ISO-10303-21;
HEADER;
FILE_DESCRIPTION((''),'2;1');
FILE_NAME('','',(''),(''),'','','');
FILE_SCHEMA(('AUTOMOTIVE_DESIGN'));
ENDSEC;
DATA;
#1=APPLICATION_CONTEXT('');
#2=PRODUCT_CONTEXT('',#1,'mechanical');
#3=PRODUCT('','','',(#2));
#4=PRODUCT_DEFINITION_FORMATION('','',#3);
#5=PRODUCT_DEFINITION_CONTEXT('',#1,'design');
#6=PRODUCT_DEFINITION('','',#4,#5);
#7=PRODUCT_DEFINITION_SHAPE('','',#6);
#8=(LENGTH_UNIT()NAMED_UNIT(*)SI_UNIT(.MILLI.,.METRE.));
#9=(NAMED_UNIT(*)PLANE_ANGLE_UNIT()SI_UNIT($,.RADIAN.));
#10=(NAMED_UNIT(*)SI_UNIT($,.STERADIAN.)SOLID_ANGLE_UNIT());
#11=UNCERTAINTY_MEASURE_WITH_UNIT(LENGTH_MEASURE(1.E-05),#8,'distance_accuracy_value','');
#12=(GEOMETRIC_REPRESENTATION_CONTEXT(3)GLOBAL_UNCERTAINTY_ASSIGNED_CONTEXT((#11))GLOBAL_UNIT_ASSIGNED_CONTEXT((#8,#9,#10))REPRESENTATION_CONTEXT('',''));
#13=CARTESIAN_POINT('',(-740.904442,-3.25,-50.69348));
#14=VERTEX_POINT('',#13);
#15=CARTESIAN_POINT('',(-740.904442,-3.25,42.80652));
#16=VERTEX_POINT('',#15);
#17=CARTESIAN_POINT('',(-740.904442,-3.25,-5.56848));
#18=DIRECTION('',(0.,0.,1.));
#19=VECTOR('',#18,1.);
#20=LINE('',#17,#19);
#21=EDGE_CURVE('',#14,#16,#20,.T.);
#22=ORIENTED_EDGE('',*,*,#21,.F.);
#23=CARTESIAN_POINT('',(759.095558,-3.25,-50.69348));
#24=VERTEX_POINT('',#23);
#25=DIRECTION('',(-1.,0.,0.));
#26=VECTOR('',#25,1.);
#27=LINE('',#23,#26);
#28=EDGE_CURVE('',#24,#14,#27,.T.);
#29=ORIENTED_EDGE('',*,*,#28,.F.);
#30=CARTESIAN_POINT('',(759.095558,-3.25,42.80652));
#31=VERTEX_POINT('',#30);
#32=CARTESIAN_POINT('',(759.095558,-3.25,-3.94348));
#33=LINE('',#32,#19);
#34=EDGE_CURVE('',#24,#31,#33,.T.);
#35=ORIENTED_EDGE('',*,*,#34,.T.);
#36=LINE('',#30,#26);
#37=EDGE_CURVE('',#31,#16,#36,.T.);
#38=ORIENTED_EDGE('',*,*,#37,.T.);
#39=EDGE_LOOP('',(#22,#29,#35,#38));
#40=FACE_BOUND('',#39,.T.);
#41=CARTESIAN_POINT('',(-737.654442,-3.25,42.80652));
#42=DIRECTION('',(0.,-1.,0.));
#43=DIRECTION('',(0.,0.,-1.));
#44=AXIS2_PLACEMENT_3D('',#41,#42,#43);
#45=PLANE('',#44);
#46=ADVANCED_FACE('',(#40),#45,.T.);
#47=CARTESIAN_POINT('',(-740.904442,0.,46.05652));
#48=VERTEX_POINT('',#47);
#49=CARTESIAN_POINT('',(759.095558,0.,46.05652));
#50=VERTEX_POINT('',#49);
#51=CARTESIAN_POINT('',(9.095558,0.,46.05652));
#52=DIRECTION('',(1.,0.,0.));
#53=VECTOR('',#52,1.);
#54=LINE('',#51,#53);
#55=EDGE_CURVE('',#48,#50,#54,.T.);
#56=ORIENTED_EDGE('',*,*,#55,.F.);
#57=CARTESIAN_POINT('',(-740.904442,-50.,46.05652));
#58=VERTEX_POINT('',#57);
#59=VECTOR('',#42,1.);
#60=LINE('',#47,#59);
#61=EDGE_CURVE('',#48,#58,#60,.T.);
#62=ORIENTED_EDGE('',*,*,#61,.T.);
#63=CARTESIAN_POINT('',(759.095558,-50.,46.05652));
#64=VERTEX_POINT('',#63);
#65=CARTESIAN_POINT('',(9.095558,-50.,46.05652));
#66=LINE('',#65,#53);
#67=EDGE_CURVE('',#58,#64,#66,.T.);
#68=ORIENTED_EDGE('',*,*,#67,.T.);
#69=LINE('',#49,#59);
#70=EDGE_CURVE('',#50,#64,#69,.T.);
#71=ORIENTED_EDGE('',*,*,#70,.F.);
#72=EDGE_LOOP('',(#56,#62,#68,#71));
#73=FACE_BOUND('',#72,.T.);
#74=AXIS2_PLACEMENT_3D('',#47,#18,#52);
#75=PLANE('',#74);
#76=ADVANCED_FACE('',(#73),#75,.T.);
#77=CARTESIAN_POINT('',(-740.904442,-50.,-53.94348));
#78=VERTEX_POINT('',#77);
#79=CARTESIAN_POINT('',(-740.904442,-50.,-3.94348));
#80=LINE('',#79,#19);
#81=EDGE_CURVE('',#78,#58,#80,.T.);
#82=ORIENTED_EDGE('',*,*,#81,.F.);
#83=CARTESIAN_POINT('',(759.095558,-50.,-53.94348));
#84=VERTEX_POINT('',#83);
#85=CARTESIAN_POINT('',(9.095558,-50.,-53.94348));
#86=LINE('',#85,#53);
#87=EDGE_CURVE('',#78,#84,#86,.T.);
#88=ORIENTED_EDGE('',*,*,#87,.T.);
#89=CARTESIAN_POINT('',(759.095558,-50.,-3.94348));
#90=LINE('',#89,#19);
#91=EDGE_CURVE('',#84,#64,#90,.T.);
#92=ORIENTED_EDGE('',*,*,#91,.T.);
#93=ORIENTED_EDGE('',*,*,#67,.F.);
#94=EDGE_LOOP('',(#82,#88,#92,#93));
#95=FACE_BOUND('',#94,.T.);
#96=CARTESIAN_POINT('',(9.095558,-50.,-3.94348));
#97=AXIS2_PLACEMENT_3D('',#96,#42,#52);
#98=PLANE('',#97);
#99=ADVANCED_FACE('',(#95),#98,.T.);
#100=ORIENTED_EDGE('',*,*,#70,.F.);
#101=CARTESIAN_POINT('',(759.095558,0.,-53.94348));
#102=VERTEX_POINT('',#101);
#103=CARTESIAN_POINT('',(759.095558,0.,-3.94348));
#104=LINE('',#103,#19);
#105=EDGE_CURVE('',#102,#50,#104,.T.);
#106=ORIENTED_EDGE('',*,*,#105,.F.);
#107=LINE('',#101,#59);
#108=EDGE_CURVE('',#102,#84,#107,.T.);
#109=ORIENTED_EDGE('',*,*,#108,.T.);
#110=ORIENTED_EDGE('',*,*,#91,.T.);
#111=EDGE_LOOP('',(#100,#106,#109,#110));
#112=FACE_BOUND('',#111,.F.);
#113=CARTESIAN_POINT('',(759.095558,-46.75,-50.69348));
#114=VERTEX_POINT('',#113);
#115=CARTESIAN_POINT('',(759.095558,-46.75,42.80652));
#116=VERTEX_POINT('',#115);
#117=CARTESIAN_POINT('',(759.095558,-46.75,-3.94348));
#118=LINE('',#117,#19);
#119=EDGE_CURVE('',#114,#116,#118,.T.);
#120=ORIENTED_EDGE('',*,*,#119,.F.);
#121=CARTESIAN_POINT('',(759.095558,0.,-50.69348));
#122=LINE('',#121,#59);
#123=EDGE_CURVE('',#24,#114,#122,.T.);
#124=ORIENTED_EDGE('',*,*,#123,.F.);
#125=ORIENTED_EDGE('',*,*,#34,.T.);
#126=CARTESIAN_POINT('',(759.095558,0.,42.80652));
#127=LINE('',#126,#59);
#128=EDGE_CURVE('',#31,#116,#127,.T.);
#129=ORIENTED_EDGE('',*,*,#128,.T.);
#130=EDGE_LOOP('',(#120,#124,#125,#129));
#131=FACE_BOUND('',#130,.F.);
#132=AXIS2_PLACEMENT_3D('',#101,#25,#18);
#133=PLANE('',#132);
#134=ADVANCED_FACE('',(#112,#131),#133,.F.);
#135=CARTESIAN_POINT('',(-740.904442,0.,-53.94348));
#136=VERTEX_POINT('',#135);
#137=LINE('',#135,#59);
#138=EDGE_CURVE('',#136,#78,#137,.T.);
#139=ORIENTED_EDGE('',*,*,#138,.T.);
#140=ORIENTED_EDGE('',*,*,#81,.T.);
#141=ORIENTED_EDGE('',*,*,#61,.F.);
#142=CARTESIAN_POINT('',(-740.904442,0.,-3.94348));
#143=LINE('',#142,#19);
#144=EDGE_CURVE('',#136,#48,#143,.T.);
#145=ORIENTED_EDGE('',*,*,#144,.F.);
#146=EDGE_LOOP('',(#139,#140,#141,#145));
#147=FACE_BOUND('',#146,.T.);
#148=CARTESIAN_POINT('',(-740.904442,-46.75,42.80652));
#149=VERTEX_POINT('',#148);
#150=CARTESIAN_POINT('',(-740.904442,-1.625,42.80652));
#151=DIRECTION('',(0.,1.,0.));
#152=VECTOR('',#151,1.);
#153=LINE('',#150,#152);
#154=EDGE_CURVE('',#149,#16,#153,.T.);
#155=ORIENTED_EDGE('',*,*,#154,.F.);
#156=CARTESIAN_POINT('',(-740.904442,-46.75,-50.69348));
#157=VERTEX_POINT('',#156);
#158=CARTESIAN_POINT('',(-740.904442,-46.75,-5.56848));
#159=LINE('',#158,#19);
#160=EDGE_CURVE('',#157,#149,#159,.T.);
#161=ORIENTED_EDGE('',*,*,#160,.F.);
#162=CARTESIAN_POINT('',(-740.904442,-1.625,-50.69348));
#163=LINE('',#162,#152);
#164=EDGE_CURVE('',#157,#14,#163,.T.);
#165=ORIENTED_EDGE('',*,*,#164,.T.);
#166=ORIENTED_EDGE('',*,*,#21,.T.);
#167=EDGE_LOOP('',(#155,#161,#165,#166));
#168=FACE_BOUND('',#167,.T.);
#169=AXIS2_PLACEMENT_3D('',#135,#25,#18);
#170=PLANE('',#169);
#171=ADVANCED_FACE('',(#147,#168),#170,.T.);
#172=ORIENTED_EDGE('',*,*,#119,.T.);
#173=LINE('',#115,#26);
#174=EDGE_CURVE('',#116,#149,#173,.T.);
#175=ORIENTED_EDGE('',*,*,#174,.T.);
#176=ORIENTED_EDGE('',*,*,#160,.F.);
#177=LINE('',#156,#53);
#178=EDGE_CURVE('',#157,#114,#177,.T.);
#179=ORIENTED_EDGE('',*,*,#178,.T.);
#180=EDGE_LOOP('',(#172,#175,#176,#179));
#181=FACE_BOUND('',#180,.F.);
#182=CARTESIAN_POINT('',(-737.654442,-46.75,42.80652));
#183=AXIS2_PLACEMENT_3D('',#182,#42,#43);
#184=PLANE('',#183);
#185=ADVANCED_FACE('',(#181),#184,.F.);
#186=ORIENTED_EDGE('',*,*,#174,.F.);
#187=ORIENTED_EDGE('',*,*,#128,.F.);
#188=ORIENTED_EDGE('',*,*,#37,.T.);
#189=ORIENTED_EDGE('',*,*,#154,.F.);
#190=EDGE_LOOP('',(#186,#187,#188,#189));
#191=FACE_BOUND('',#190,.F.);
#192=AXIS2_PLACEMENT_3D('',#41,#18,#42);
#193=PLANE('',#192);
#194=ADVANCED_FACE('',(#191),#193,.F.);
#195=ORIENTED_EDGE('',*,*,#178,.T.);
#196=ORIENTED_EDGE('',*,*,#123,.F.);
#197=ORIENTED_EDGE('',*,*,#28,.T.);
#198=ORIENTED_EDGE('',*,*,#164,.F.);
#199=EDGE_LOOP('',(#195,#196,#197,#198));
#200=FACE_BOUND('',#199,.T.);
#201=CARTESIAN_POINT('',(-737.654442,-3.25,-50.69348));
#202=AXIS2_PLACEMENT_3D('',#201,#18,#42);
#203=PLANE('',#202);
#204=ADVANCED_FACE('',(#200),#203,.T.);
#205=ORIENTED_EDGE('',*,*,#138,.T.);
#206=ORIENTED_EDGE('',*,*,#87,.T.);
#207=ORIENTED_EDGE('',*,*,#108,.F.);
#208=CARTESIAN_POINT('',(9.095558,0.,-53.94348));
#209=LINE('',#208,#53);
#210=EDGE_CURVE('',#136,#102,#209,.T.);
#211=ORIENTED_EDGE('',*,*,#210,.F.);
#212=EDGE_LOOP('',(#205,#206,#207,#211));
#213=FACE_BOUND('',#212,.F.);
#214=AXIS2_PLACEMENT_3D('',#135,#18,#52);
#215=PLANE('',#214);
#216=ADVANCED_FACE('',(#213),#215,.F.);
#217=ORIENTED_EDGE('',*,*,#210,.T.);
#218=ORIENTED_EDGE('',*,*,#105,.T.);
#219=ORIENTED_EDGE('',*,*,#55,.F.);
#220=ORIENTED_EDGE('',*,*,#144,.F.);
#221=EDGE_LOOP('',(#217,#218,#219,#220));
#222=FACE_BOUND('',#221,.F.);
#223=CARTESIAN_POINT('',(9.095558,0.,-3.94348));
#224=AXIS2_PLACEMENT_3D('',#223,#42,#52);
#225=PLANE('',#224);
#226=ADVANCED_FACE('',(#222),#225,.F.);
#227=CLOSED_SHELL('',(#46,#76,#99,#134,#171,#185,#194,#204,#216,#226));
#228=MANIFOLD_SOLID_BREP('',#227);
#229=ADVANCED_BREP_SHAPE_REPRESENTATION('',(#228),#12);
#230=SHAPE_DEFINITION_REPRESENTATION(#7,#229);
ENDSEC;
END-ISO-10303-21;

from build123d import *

# Parameters (mm, degrees)
F0_W          = 1500
F0_H          = 100
F1_DEPTH      = 50
F2_T          = -3.25
F3_DEPTH      = 25
F3_DEPTH_BACK = 25


with BuildPart() as f1:
    # F0 (on Front) → F1 (new body)
    with BuildSketch(Plane.XZ):
        with Locations((9.0955580262, -3.9434796199)):
            Rectangle(F0_W, F0_H)
    extrude(amount=F1_DEPTH)

    # F2
    f2_openings = [f1.faces().sort_by_distance(p)[0] for p in [
        (759.095558, -25, -3.94348),
    ]]
    offset(amount=F2_T, openings=f2_openings)

    # F3 (cut, two sides): a face of the model
    f3_faces = [f1.faces().sort_by_distance(p)[0] for p in [
        (-737.6544419738, -25, -3.9434796199),
    ]]
    extrude(f3_faces, amount=-F3_DEPTH, mode=Mode.SUBTRACT)
    extrude(f3_faces, amount=F3_DEPTH_BACK, mode=Mode.SUBTRACT)


solid = f1.part
